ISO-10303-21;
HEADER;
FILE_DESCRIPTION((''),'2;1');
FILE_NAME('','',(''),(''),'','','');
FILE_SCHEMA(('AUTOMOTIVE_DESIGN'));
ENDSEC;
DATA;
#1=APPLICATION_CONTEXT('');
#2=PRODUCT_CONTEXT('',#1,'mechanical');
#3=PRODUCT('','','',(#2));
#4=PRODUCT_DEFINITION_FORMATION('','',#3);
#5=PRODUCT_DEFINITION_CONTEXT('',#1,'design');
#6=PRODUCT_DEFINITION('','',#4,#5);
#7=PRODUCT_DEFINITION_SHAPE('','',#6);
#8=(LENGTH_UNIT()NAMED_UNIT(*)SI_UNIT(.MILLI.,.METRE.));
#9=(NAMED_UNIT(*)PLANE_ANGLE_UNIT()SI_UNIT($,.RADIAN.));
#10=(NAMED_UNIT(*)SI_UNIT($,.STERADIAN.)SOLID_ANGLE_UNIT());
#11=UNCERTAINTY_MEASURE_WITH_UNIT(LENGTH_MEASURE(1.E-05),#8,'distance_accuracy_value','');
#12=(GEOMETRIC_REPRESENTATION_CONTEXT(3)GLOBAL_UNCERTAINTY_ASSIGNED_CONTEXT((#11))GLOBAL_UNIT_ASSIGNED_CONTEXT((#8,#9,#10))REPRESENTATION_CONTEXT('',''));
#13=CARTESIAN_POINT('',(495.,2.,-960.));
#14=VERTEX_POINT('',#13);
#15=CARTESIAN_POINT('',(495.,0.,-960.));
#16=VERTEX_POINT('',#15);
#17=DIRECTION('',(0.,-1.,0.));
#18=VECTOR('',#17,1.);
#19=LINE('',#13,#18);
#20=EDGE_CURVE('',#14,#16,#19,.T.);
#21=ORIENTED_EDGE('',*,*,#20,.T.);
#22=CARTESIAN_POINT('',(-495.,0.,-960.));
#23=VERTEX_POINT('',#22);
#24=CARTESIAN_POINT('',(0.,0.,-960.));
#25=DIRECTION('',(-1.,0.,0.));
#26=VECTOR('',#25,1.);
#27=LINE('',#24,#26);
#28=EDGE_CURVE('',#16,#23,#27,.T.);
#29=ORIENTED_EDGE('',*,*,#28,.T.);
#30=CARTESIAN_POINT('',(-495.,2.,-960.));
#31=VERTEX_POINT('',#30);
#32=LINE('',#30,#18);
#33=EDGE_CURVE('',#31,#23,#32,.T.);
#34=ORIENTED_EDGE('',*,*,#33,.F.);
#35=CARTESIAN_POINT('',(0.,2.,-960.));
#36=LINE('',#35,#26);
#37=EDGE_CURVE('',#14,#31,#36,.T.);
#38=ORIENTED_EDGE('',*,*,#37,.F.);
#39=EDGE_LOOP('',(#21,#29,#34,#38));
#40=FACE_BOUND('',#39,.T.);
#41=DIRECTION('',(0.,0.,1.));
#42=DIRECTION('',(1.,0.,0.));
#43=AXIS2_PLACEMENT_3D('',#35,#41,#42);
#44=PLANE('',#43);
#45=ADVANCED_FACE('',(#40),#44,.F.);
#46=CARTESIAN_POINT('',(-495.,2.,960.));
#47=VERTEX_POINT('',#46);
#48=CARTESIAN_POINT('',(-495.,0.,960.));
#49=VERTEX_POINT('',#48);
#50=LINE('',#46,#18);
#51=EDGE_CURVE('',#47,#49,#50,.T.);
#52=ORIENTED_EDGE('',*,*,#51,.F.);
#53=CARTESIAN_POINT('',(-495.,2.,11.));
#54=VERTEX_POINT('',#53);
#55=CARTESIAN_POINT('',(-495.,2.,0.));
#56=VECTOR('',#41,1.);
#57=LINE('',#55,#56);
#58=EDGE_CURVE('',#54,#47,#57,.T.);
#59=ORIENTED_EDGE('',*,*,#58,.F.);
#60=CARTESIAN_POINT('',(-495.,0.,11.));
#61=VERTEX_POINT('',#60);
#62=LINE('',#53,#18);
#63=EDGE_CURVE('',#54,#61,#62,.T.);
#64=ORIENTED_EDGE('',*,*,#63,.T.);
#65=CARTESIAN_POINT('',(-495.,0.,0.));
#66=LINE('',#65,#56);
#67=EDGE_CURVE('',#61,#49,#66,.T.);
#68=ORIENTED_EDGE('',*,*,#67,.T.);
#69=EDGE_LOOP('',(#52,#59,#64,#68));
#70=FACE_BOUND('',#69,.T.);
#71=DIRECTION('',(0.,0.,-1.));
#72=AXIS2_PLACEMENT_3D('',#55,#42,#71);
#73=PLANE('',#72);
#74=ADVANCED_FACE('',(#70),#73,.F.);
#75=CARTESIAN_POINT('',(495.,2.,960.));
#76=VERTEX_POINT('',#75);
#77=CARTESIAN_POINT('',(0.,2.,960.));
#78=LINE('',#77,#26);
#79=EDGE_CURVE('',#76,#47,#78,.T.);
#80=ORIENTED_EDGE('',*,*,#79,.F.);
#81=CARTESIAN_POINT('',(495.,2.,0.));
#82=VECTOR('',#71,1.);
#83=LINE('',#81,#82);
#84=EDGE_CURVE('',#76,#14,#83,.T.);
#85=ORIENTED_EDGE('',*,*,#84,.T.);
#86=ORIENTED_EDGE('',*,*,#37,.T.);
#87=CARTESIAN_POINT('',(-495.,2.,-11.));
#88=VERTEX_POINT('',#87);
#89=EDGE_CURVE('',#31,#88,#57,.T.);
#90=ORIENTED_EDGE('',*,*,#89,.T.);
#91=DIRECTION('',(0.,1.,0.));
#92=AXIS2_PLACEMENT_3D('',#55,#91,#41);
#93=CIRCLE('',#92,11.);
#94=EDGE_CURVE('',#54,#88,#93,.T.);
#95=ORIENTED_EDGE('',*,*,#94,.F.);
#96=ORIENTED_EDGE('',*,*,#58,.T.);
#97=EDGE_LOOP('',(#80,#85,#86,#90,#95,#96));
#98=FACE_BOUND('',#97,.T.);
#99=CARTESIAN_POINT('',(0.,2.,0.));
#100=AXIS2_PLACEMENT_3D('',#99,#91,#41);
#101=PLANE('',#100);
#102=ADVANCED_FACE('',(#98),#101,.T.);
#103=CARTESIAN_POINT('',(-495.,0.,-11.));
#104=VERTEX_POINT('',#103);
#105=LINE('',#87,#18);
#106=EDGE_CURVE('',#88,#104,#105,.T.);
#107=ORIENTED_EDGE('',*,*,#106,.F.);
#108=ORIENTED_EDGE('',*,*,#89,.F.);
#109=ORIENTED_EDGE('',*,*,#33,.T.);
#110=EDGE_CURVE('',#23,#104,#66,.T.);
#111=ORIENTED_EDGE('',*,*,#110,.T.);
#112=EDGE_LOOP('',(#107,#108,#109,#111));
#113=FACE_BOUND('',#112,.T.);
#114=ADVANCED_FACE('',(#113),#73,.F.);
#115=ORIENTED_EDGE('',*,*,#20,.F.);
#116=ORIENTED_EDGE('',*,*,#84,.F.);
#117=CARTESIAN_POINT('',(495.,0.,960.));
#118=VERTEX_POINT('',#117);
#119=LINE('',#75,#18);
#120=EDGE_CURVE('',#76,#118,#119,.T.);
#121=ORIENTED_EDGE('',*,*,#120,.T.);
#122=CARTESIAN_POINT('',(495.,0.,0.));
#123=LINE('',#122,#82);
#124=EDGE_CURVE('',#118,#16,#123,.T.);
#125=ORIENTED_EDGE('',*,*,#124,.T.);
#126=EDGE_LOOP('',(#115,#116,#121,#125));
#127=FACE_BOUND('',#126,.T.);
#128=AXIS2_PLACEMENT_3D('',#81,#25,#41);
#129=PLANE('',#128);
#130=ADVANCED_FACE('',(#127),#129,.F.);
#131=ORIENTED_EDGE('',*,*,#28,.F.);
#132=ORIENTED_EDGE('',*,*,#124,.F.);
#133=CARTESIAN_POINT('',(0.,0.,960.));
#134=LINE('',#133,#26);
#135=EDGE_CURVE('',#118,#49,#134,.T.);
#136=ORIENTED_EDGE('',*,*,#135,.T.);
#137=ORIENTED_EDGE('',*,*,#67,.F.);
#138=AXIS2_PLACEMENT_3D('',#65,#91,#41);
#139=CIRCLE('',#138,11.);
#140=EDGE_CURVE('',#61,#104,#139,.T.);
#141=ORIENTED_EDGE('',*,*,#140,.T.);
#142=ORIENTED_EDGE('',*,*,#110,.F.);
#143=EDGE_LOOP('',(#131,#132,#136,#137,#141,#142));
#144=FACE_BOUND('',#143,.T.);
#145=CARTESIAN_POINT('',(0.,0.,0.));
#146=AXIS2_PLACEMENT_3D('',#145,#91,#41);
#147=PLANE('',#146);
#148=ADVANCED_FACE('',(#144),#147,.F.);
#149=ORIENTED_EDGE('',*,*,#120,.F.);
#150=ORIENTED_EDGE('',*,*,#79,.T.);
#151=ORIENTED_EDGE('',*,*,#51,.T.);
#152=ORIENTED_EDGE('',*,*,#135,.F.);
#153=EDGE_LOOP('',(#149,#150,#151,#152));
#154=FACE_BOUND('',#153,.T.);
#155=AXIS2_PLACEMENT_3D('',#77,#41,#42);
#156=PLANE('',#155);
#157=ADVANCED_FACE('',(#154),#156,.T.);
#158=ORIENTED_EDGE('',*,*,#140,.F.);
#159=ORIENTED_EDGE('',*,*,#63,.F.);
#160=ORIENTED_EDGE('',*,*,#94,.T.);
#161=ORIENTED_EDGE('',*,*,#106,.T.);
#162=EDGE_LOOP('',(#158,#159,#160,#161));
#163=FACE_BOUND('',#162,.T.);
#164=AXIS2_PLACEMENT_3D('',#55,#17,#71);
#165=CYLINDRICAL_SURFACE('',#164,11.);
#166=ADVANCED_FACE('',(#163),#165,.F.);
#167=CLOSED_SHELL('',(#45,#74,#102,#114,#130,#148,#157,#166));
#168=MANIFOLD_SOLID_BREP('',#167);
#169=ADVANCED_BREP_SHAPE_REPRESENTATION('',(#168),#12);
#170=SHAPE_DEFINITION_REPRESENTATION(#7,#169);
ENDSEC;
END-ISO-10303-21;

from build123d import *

# Parameters (mm, degrees)
BOSS_EXTRUDE1_DEPTH = 2


with BuildPart() as part:
    # Sketch1 → Boss-Extrude1 (new body)
    with BuildSketch(Plane(origin=(0, 0, 0), x_dir=(1, 0, 0), z_dir=(0, 1, 0))):
        with BuildLine():
            Line((495, -960), (495, 960))
            Line((495, 960), (-495, 960))
            Line((-495, 960), (-495, 11))
            ThreePointArc((-495, 11), (-484, 0), (-495, -11))
            Line((-495, -11), (-495, -960))
            Line((-495, -960), (495, -960))
        make_face()
    extrude(amount=BOSS_EXTRUDE1_DEPTH)


solid = part.part
